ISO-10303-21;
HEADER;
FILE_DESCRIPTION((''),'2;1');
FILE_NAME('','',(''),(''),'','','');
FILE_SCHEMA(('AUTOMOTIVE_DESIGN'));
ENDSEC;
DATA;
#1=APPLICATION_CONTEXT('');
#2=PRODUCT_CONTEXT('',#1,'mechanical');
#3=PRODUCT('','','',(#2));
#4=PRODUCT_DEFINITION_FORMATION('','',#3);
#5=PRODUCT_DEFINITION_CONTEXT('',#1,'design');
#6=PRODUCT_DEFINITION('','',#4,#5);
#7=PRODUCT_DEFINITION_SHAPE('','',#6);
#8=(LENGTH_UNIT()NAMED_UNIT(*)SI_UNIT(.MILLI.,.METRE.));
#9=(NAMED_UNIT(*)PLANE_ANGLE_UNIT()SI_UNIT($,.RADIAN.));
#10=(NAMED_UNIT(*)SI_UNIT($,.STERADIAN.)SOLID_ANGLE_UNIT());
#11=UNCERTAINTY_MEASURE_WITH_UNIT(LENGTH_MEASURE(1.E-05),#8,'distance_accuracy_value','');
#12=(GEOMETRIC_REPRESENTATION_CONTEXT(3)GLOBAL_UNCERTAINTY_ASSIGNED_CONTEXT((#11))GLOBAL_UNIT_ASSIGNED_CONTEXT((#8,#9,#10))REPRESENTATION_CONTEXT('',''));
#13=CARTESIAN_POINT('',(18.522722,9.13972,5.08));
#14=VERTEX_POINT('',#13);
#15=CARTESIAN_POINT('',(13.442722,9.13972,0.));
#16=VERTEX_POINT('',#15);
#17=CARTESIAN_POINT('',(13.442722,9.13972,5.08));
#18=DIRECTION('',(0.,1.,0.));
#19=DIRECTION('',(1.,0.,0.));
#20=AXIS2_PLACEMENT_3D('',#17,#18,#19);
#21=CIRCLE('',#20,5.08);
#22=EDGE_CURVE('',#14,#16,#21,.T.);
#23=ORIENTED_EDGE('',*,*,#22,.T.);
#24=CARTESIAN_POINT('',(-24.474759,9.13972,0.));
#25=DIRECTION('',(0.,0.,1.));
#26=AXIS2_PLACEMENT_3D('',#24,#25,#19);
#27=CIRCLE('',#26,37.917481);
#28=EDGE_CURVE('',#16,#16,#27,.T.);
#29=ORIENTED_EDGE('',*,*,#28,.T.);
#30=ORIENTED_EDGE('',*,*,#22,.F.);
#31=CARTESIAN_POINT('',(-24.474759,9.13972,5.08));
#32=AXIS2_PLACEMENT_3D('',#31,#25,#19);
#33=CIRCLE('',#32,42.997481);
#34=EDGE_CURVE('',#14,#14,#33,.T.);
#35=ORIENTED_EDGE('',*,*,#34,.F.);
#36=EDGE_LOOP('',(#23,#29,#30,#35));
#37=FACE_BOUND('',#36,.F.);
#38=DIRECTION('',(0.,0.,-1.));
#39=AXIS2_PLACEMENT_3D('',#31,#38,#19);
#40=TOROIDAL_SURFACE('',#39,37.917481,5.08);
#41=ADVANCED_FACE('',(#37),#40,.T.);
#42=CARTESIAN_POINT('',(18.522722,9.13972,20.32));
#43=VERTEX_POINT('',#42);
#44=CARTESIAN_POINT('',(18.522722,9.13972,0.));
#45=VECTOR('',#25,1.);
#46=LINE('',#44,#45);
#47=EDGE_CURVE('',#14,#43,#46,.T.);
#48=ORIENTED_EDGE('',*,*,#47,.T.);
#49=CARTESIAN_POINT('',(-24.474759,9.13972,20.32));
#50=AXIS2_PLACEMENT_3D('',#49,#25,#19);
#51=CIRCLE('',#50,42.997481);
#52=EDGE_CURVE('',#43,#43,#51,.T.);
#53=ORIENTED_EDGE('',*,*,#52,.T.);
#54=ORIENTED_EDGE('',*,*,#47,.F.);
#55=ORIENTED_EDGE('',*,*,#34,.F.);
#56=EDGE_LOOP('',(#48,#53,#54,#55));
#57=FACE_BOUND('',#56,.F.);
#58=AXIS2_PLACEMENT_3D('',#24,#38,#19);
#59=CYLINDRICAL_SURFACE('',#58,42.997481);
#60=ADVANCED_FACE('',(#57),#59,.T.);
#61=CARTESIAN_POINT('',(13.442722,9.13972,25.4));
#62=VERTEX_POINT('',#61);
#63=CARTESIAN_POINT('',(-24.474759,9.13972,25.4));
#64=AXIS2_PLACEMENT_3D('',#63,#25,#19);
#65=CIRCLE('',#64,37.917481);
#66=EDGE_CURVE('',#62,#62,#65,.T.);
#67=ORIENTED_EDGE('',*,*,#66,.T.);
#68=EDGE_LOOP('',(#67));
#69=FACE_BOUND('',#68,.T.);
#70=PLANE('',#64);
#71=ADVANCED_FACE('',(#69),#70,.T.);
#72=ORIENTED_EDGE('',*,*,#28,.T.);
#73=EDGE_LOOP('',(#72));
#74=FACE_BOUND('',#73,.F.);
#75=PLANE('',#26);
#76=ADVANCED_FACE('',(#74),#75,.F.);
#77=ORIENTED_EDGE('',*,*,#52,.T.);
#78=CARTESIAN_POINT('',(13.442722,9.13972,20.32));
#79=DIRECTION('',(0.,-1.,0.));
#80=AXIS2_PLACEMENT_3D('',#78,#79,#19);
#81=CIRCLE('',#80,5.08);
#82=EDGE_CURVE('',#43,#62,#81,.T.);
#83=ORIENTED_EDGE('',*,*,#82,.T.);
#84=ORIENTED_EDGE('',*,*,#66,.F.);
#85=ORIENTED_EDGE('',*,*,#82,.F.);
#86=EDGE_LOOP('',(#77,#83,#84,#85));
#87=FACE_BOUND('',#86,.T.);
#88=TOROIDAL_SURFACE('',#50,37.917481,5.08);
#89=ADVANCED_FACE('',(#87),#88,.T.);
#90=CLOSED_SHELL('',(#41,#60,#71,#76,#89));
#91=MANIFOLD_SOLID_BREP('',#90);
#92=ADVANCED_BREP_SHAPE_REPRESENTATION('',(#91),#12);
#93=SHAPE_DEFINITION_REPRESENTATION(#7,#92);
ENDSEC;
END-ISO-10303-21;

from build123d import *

# Parameters (mm, degrees)
F0_R     = 42.997481
F1_DEPTH = 25.4
F2_R     = 5.08


with BuildPart() as f1:
    # F0 (on Top) → F1 (new body)
    with BuildSketch(Plane.XY):
        with Locations((-24.474759, 9.13972)):
            Circle(F0_R)
    extrude(amount=F1_DEPTH)

    # F2
    f2_edges = [f1.edges().sort_by_distance(p)[0] for p in [
        (18.522722, 9.13972, 12.7),
        (-67.472239, 9.13972, 0),
        (-67.472239, 9.13972, 25.4),
    ]]
    fillet(f2_edges, radius=F2_R)


solid = f1.part
